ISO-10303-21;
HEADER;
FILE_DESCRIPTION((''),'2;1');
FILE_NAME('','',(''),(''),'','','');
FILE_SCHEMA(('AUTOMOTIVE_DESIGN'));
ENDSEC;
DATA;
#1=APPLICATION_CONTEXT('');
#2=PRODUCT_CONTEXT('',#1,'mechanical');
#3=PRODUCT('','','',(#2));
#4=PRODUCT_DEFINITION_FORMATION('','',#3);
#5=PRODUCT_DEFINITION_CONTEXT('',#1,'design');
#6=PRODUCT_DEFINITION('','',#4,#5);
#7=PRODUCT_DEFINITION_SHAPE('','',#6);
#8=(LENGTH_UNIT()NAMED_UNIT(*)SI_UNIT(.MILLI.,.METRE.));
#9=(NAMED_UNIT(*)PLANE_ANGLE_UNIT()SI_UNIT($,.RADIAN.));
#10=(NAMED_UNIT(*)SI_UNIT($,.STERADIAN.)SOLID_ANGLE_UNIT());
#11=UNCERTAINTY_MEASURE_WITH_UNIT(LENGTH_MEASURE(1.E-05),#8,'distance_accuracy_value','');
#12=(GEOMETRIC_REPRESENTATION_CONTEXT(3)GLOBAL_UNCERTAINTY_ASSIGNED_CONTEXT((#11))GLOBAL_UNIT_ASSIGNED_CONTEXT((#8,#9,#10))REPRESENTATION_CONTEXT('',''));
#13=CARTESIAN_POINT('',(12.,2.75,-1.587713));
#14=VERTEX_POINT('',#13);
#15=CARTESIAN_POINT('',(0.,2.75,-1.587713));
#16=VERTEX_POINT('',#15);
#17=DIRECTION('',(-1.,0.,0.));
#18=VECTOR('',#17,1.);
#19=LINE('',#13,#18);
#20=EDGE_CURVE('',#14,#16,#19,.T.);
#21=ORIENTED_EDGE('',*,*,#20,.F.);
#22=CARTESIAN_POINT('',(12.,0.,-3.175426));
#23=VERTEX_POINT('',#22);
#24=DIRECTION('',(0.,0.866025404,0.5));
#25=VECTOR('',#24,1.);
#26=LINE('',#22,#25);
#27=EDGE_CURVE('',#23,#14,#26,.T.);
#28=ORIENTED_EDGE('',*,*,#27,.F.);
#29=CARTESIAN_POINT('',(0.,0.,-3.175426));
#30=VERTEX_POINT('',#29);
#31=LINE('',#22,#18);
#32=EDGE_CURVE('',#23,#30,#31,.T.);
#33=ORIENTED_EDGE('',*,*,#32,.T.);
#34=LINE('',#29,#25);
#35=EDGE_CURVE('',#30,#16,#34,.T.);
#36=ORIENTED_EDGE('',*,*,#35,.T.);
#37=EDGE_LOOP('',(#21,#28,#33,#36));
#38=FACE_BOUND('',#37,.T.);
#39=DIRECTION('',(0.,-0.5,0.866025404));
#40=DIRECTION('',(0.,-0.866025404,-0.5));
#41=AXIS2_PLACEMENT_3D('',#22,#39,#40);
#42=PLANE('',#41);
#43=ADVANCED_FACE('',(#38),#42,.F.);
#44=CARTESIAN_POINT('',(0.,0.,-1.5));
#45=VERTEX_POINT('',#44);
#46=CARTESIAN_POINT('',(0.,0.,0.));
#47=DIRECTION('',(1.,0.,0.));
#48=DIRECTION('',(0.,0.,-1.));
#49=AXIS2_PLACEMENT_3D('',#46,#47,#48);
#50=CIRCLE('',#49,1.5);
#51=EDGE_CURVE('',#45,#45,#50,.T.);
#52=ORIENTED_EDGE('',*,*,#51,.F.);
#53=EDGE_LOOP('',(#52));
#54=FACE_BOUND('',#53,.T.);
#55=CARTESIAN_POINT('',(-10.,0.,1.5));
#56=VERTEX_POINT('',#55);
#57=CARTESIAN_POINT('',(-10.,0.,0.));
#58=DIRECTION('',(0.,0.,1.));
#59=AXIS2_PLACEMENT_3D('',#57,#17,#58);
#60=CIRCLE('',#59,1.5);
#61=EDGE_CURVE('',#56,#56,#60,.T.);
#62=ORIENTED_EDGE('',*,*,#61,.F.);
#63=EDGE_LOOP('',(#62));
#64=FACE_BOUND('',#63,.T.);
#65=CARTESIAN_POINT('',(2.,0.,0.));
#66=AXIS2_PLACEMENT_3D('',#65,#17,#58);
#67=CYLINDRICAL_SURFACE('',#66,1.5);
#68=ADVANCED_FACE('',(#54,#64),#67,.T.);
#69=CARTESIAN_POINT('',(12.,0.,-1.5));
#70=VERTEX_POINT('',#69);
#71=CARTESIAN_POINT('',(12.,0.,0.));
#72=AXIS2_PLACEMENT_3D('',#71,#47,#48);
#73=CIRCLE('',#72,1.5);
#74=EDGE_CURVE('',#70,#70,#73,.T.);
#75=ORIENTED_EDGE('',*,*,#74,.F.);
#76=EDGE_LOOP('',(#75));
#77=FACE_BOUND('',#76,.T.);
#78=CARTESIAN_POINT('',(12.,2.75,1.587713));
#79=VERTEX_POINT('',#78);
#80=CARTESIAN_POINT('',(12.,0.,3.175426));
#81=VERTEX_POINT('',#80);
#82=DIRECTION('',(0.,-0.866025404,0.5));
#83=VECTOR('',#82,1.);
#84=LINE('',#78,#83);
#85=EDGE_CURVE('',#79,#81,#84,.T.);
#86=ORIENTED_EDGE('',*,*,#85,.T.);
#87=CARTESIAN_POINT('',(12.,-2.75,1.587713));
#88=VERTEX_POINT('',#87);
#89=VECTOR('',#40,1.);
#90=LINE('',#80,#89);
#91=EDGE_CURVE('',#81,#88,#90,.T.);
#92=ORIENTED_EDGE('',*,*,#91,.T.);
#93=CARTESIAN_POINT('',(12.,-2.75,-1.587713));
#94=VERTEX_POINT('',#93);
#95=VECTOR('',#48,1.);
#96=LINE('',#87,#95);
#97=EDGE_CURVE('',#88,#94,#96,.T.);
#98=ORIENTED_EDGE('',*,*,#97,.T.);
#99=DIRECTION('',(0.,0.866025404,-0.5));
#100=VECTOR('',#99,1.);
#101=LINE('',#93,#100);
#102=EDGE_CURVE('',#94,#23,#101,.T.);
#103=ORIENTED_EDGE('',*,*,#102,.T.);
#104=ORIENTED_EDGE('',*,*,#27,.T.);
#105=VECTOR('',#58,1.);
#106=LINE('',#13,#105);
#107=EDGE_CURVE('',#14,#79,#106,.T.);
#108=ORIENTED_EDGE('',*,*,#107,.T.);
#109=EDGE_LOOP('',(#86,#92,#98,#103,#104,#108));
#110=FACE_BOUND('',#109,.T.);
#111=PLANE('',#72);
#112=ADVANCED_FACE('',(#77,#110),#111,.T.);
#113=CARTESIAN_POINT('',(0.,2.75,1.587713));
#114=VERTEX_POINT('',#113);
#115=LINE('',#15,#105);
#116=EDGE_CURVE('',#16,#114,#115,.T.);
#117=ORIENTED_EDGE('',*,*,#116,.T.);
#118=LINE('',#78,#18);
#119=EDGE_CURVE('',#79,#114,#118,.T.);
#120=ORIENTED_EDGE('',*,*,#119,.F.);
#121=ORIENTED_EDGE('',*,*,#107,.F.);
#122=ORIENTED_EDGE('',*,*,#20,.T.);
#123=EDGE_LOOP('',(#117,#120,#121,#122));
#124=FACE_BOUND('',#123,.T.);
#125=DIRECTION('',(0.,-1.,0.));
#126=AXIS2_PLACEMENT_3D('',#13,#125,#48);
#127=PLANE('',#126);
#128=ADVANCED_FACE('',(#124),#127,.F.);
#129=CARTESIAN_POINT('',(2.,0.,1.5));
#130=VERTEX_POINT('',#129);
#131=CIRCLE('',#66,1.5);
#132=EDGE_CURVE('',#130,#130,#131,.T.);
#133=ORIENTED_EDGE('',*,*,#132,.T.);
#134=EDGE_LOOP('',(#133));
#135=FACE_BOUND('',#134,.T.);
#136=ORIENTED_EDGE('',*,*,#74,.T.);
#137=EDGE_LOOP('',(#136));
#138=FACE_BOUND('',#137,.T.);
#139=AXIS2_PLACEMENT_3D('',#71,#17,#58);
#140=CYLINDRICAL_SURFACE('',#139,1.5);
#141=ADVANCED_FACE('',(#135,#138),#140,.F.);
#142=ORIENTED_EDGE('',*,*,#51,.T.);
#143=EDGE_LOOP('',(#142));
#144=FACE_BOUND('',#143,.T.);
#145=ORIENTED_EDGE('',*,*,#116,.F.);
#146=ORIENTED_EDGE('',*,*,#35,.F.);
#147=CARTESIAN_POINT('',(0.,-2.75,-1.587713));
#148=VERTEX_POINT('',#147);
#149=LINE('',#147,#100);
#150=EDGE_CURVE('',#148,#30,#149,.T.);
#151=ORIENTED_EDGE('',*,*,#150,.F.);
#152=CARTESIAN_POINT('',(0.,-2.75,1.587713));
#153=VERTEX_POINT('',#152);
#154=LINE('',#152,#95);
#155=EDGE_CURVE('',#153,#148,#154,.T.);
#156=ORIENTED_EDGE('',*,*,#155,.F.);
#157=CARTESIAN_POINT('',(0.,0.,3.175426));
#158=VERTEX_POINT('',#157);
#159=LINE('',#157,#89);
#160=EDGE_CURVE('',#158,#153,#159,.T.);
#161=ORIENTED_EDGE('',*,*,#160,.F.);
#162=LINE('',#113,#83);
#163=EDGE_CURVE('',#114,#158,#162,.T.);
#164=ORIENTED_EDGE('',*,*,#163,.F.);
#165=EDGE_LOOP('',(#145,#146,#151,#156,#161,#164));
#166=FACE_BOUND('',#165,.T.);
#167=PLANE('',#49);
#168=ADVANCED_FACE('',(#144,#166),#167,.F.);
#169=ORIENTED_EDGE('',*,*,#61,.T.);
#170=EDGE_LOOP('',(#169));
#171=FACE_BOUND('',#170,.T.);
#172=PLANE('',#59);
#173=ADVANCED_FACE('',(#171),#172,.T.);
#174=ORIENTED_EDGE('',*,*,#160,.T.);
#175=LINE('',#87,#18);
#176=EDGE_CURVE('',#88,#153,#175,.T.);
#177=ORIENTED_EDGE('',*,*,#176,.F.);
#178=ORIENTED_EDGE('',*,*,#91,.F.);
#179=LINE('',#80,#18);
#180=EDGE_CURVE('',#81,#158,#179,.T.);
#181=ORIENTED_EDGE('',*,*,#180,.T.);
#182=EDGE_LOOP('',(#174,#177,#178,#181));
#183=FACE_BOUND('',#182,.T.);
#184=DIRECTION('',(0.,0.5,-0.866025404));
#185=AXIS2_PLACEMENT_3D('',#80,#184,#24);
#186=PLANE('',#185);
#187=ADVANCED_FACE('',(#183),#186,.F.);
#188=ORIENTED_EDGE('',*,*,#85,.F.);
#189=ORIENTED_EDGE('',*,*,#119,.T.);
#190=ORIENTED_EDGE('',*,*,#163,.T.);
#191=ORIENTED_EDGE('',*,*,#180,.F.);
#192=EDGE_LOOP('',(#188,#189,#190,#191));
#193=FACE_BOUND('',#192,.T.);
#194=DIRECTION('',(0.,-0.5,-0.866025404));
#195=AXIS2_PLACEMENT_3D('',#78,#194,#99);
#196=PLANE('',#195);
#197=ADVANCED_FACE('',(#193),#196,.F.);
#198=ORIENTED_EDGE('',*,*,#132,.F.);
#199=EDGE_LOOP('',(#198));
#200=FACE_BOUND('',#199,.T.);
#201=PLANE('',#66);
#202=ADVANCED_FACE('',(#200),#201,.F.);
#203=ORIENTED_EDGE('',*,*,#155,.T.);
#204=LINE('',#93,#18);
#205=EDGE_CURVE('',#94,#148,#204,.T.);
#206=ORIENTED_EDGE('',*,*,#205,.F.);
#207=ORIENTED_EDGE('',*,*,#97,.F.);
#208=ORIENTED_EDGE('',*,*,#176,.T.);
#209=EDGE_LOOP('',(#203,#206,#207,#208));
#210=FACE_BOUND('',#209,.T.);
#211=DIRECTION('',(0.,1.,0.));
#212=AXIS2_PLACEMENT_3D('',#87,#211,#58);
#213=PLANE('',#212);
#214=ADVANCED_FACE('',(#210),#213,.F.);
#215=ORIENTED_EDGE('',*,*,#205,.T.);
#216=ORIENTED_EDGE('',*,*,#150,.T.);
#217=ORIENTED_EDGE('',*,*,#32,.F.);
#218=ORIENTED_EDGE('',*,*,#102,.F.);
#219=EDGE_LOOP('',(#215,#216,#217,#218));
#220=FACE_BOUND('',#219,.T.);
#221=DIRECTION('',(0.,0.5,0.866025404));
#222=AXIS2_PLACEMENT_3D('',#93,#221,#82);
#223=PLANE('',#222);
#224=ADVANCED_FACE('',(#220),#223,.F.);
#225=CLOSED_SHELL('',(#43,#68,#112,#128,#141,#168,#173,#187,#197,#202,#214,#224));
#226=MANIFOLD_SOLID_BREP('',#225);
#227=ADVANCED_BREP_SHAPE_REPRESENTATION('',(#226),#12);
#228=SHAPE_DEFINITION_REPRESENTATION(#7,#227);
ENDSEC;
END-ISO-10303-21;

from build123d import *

# Parameters (mm, degrees)
SKETCH2_R                = 1.5
BOSS_EXTRUDE1_DEPTH      = 12
BOSS_EXTRUDE2_DEPTH      = 10
BOSS_EXTRUDE2_DEPTH_BACK = 2
SKETCH3_R                = 1.5


with BuildPart() as part:
    # Sketch2 → Boss-Extrude1 (new body)
    with BuildSketch(Plane(origin=(0, 0, 0), x_dir=(0, 0, -1), z_dir=(1, 0, 0))):
        Polygon((1.58771324, 2.75), (-1.58771324, 2.75), (-3.175426481, 0), (-1.58771324, -2.75), (1.58771324, -2.75), (3.175426481, 0), align=None)
        Circle(SKETCH2_R, mode=Mode.SUBTRACT)
    extrude(amount=BOSS_EXTRUDE1_DEPTH)

    # Sketch3 → Boss-Extrude2 (add, two sides: drawn at the far end of the back side and taken through both)
    with BuildSketch(Plane.ZY.offset(-BOSS_EXTRUDE2_DEPTH_BACK)):
        Circle(SKETCH3_R)
    extrude(amount=BOSS_EXTRUDE2_DEPTH + BOSS_EXTRUDE2_DEPTH_BACK)


solid = part.part
